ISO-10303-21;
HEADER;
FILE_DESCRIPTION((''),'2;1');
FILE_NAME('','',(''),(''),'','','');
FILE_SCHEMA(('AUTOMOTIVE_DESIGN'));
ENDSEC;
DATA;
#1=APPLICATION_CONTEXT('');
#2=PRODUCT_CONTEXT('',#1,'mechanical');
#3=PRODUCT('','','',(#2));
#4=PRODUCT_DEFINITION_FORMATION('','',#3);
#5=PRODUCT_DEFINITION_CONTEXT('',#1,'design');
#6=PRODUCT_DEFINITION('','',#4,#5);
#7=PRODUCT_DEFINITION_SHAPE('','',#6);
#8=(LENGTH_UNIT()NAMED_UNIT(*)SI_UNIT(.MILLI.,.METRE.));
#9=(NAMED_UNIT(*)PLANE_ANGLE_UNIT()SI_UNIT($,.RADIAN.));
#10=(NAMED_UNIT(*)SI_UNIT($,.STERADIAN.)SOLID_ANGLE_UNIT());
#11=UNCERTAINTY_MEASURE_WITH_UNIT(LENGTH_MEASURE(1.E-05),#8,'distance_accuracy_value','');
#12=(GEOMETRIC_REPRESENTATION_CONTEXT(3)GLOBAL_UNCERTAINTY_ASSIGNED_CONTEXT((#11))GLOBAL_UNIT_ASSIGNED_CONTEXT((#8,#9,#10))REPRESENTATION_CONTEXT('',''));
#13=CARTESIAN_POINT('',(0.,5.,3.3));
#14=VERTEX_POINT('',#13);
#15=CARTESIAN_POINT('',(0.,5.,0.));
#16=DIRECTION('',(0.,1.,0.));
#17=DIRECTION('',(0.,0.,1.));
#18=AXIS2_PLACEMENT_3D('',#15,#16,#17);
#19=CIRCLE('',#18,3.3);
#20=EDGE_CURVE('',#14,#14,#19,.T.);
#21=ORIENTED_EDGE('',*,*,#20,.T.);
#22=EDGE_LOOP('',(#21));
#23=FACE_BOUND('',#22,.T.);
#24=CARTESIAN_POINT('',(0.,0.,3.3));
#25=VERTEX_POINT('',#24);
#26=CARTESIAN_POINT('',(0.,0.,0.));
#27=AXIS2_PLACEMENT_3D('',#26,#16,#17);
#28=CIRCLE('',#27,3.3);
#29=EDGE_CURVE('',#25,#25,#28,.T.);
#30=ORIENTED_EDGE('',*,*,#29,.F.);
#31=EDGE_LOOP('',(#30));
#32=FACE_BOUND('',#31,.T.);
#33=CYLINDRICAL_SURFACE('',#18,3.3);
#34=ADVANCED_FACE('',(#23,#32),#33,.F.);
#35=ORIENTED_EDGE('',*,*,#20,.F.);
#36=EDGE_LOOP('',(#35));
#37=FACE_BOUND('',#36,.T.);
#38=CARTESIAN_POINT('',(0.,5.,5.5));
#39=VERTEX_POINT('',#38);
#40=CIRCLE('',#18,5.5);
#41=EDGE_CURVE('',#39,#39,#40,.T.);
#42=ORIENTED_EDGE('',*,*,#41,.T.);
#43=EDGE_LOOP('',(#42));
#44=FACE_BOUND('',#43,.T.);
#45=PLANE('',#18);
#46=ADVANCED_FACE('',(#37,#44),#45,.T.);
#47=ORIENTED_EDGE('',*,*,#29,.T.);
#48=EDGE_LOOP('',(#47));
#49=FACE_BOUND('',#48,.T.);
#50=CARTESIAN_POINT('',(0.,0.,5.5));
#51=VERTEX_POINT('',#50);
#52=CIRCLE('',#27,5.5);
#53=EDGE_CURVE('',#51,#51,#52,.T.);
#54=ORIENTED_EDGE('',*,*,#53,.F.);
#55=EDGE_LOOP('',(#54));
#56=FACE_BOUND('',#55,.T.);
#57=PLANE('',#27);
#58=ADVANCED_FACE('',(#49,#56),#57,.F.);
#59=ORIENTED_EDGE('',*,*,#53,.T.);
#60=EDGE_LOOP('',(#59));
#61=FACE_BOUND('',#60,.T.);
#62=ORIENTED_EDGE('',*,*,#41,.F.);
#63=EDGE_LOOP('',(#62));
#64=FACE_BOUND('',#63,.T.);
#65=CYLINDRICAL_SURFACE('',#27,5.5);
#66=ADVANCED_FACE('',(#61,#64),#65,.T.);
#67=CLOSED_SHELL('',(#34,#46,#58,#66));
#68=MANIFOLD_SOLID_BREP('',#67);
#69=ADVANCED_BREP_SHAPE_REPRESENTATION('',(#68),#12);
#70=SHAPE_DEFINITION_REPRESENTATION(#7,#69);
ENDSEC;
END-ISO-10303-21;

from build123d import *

# Parameters (mm, degrees)
SKETCH1_W            = 11
SKETCH1_H            = 11
BOSS_EXTRUDE1_DEPTH  = 5
M6_CLEARANCE_HOLE1_D = 6.6
SKETCH4_OUTSIDE_W    = 16.268
SKETCH4_OUTSIDE_H    = 16.268
SKETCH4_OUTSIDE_R    = 5.5
CUT_EXTRUDE1_DEPTH   = 10.246621004


with BuildPart() as part:
    # Sketch1 → Boss-Extrude1 (new body)
    with BuildSketch(Plane(origin=(0, 0, 0), x_dir=(1, 0, 0), z_dir=(0, 1, 0))):
        Rectangle(SKETCH1_W, SKETCH1_H)
    extrude(amount=BOSS_EXTRUDE1_DEPTH)

    # M6 Clearance Hole1 (through all)
    with Locations(Plane(origin=(0, 5, 0), x_dir=(1, 0, 0), z_dir=(0, 1, 0))):
        with Locations((0, 0)):
            Hole(M6_CLEARANCE_HOLE1_D / 2)

    # Sketch4 outside → Cut-Extrude1 (cut, through all)
    with BuildSketch(Plane(origin=(0, 5, 0), x_dir=(1, 0, 0), z_dir=(0, 1, 0))):
        Rectangle(SKETCH4_OUTSIDE_W, SKETCH4_OUTSIDE_H)
        with Locations(Location((0, 0, 0), (0, 0, 270))):
            Circle(SKETCH4_OUTSIDE_R, mode=Mode.SUBTRACT)
    extrude(amount=-CUT_EXTRUDE1_DEPTH, mode=Mode.SUBTRACT)


solid = part.part
